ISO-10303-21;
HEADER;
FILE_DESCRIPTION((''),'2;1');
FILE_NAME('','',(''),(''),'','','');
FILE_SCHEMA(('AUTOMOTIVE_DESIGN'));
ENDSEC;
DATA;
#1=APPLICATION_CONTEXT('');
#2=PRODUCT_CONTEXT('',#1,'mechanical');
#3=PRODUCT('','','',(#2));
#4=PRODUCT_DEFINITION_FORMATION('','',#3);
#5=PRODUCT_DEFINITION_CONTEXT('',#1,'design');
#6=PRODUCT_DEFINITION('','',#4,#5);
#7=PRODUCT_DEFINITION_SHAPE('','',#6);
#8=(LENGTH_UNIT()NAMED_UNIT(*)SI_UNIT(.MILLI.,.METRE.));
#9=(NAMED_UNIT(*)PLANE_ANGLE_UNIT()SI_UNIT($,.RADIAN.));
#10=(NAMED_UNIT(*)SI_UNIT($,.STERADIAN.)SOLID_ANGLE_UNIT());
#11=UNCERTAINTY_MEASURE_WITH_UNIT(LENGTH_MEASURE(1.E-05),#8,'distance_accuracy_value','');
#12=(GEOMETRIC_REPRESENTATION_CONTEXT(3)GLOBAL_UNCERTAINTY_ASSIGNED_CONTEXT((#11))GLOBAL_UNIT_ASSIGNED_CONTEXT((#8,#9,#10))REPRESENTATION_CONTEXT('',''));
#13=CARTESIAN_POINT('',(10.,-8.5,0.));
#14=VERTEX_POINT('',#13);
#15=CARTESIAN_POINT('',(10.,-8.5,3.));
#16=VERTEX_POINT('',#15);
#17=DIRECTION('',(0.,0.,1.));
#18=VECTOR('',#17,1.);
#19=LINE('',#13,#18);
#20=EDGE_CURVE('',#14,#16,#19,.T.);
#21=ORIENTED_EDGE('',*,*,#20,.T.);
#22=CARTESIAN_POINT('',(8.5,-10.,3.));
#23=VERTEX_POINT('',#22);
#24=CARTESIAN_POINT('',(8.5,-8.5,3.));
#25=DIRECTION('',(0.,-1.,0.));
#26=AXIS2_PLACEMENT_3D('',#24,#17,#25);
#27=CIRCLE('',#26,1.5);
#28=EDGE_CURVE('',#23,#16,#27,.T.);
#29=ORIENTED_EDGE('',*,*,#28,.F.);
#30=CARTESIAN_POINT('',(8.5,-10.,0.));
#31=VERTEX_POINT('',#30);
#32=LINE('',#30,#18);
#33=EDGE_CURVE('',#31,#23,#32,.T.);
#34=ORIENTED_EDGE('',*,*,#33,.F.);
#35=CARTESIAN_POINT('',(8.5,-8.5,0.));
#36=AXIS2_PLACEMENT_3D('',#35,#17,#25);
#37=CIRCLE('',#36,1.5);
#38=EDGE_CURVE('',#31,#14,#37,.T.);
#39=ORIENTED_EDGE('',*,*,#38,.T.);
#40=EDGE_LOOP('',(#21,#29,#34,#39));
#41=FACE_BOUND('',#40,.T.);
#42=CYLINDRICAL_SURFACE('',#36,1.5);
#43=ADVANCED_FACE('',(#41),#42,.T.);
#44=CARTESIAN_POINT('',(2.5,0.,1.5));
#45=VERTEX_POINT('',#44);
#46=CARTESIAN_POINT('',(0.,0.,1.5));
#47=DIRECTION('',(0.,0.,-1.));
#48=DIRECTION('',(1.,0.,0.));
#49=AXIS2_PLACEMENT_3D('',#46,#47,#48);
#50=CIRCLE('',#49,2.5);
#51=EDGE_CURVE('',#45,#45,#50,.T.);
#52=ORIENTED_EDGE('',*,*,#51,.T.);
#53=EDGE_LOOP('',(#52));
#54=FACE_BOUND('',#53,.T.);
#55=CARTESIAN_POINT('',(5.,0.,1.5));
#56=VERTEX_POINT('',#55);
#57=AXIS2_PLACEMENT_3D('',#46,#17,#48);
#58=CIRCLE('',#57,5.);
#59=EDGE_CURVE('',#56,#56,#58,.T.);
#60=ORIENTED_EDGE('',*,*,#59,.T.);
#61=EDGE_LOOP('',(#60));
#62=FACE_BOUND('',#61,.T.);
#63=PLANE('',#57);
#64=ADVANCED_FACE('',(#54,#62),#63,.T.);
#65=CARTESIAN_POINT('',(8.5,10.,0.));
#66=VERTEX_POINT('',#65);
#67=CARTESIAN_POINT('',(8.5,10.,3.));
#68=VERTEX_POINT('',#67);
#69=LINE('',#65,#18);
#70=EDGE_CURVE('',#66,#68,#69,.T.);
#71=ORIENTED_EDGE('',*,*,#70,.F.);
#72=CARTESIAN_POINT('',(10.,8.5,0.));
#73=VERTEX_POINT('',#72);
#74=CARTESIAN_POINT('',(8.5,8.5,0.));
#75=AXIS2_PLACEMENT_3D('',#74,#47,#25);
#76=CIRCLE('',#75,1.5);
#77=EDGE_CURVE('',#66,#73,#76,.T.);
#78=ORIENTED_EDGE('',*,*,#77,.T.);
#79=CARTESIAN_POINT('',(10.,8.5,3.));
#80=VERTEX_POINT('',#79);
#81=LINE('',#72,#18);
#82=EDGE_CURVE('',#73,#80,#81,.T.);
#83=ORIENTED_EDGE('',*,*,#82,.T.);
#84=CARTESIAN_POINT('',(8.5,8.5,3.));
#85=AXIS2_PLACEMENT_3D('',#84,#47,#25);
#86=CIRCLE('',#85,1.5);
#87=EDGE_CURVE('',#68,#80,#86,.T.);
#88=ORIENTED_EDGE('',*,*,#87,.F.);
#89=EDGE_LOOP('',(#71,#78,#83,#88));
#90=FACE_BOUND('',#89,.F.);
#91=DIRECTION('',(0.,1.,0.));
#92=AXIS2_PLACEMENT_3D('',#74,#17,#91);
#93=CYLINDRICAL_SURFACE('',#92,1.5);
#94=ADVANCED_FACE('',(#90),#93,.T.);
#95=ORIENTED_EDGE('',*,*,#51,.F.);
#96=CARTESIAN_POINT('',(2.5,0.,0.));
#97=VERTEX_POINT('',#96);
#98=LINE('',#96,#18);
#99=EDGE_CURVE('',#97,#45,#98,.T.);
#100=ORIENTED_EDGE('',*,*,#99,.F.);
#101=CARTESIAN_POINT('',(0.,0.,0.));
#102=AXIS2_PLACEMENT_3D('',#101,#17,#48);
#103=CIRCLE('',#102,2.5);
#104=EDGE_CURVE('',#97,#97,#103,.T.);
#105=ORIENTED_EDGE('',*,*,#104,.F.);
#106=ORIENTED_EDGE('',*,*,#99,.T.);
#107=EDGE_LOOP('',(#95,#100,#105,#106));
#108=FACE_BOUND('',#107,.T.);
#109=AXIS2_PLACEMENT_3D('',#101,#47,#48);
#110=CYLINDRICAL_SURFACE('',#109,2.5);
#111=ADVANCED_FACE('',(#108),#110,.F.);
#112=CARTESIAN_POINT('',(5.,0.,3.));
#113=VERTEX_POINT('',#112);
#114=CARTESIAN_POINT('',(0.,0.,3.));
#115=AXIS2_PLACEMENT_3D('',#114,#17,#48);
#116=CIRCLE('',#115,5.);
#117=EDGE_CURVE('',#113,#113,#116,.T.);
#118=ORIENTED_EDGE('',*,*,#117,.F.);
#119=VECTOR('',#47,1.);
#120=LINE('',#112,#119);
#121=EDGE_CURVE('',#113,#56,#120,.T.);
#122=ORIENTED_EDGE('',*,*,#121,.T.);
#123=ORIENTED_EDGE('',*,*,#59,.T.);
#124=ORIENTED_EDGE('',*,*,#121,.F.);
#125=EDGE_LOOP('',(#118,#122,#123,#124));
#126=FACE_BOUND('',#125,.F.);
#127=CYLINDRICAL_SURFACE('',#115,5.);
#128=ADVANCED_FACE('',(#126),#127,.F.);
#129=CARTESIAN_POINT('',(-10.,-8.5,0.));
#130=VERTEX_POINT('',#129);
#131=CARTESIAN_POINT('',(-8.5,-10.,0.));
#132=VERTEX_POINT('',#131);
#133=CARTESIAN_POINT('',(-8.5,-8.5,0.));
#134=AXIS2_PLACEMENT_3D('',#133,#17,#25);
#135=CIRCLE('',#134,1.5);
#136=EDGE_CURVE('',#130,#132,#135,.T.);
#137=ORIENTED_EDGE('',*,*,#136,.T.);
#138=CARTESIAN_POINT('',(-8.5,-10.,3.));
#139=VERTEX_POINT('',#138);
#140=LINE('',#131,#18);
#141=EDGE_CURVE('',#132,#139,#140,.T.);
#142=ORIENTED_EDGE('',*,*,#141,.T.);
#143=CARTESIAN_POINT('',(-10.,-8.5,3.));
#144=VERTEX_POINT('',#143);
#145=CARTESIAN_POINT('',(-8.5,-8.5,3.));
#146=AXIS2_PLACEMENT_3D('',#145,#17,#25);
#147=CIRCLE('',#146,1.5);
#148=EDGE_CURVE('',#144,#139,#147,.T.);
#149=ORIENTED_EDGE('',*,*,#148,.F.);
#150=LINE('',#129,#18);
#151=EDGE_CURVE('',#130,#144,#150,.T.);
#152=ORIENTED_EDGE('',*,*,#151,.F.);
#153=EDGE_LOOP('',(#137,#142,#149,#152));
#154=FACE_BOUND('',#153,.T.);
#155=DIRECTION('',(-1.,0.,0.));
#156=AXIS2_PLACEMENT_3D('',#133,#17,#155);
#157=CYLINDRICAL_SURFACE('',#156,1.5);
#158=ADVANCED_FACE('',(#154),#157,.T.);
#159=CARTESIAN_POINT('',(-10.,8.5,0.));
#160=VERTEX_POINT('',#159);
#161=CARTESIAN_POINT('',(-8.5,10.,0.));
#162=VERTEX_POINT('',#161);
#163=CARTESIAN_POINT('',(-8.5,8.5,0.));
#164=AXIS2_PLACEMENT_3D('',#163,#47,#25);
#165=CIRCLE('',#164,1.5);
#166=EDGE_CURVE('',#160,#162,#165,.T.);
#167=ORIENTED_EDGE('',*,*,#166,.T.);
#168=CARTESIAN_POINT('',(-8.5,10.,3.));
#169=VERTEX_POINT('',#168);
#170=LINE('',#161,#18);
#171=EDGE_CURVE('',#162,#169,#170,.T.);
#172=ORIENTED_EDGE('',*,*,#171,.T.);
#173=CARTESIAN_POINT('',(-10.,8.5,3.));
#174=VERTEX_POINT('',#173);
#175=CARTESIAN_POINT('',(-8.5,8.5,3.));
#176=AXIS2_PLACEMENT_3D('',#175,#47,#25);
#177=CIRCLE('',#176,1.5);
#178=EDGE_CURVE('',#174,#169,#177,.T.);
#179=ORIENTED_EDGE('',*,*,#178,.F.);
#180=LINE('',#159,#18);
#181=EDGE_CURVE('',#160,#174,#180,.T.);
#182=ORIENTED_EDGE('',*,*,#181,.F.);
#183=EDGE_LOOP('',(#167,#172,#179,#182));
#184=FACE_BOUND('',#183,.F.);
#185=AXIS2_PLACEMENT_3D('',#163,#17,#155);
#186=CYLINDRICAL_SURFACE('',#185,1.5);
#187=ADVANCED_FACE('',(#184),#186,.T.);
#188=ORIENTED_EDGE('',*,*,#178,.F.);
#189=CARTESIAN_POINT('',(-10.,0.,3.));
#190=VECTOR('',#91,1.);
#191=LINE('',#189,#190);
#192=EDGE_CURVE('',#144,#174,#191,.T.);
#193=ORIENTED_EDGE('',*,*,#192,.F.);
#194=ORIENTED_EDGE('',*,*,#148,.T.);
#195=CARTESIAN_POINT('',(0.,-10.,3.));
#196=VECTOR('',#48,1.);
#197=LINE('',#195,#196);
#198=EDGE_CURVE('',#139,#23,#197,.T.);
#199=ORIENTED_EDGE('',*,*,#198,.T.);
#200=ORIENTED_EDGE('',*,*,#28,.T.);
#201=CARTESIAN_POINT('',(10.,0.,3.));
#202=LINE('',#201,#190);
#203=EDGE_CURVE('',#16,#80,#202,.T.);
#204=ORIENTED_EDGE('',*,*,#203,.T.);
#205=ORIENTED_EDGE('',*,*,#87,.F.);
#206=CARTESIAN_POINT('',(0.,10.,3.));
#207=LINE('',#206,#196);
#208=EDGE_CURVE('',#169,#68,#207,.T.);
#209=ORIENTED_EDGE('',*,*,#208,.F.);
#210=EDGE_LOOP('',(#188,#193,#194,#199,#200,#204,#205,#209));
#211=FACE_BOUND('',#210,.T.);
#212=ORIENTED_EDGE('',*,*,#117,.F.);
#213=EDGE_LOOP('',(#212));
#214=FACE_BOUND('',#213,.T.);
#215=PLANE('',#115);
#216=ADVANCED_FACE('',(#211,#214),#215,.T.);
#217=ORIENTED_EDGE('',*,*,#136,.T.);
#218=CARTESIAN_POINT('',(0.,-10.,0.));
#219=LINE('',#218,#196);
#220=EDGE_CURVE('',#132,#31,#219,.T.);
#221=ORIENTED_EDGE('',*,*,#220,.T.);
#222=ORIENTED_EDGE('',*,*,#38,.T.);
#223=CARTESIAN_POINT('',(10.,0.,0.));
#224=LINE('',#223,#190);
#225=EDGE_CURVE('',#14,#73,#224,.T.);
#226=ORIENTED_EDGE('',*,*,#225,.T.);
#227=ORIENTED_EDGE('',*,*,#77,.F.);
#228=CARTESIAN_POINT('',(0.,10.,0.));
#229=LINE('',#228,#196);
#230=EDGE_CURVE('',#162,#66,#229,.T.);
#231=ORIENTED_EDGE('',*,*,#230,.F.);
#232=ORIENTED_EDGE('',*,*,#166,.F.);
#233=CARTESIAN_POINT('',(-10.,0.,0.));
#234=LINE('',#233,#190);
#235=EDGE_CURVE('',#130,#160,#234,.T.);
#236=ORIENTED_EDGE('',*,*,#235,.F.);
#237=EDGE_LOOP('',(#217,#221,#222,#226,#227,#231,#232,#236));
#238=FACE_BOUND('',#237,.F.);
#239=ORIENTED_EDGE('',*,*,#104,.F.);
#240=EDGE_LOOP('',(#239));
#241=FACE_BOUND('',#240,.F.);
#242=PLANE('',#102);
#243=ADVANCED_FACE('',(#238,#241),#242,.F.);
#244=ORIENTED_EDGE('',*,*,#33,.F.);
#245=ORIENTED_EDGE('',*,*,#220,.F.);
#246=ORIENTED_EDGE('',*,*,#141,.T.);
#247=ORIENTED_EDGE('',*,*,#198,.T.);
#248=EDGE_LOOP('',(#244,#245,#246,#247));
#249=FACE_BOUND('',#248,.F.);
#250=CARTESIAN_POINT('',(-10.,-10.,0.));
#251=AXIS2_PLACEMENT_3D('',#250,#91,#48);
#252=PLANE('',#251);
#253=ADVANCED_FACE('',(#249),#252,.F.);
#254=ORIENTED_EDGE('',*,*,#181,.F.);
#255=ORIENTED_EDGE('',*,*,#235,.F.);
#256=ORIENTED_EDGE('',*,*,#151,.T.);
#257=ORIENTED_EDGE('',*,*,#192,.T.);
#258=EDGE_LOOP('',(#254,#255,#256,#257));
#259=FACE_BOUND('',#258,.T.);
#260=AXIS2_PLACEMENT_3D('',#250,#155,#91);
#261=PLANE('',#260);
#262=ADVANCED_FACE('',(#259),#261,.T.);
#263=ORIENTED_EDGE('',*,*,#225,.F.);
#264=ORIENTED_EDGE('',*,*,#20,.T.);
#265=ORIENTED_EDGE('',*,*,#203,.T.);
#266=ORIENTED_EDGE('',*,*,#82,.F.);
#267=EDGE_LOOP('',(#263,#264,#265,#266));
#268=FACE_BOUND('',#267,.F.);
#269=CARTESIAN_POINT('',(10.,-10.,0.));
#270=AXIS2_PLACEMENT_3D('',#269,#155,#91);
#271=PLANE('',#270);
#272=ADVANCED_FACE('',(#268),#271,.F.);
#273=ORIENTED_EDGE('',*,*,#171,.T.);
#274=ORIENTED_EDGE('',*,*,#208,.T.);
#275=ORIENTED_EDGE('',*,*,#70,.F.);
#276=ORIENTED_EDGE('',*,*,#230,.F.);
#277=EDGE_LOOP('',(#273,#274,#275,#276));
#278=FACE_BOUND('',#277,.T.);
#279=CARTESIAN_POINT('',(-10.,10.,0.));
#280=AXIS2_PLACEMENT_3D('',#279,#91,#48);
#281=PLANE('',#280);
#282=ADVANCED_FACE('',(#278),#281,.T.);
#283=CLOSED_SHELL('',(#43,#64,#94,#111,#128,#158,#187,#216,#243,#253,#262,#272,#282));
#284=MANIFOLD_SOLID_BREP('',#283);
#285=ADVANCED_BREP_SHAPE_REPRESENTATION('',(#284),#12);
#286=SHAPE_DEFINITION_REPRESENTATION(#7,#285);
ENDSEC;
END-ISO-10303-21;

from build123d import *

# Parameters (mm, degrees)
SKETCH1_W           = 20
SKETCH1_H           = 20
SKETCH1_R           = 2.5
BOSS_EXTRUDE1_DEPTH = 3
SKETCH2_R           = 5
CUT_EXTRUDE1_DEPTH  = 1.5
FILLET1_R           = 1.5


with BuildPart() as part:
    # Sketch1 → Boss-Extrude1 (new body)
    with BuildSketch(Plane.XY):
        Rectangle(SKETCH1_W, SKETCH1_H)
        Circle(SKETCH1_R, mode=Mode.SUBTRACT)
    extrude(amount=BOSS_EXTRUDE1_DEPTH)

    # Sketch2 → Cut-Extrude1 (cut)
    with BuildSketch(Plane.XY.offset(3)):
        Circle(SKETCH2_R)
    extrude(amount=-CUT_EXTRUDE1_DEPTH, mode=Mode.SUBTRACT)

    # Fillet1
    fillet1_edges = [part.edges().sort_by_distance(p)[0] for p in [
        (-10, 10, 1.5),
        (10, 10, 1.5),
        (10, -10, 1.5),
        (-10, -10, 1.5),
    ]]
    fillet(fillet1_edges, radius=FILLET1_R)


solid = part.part
